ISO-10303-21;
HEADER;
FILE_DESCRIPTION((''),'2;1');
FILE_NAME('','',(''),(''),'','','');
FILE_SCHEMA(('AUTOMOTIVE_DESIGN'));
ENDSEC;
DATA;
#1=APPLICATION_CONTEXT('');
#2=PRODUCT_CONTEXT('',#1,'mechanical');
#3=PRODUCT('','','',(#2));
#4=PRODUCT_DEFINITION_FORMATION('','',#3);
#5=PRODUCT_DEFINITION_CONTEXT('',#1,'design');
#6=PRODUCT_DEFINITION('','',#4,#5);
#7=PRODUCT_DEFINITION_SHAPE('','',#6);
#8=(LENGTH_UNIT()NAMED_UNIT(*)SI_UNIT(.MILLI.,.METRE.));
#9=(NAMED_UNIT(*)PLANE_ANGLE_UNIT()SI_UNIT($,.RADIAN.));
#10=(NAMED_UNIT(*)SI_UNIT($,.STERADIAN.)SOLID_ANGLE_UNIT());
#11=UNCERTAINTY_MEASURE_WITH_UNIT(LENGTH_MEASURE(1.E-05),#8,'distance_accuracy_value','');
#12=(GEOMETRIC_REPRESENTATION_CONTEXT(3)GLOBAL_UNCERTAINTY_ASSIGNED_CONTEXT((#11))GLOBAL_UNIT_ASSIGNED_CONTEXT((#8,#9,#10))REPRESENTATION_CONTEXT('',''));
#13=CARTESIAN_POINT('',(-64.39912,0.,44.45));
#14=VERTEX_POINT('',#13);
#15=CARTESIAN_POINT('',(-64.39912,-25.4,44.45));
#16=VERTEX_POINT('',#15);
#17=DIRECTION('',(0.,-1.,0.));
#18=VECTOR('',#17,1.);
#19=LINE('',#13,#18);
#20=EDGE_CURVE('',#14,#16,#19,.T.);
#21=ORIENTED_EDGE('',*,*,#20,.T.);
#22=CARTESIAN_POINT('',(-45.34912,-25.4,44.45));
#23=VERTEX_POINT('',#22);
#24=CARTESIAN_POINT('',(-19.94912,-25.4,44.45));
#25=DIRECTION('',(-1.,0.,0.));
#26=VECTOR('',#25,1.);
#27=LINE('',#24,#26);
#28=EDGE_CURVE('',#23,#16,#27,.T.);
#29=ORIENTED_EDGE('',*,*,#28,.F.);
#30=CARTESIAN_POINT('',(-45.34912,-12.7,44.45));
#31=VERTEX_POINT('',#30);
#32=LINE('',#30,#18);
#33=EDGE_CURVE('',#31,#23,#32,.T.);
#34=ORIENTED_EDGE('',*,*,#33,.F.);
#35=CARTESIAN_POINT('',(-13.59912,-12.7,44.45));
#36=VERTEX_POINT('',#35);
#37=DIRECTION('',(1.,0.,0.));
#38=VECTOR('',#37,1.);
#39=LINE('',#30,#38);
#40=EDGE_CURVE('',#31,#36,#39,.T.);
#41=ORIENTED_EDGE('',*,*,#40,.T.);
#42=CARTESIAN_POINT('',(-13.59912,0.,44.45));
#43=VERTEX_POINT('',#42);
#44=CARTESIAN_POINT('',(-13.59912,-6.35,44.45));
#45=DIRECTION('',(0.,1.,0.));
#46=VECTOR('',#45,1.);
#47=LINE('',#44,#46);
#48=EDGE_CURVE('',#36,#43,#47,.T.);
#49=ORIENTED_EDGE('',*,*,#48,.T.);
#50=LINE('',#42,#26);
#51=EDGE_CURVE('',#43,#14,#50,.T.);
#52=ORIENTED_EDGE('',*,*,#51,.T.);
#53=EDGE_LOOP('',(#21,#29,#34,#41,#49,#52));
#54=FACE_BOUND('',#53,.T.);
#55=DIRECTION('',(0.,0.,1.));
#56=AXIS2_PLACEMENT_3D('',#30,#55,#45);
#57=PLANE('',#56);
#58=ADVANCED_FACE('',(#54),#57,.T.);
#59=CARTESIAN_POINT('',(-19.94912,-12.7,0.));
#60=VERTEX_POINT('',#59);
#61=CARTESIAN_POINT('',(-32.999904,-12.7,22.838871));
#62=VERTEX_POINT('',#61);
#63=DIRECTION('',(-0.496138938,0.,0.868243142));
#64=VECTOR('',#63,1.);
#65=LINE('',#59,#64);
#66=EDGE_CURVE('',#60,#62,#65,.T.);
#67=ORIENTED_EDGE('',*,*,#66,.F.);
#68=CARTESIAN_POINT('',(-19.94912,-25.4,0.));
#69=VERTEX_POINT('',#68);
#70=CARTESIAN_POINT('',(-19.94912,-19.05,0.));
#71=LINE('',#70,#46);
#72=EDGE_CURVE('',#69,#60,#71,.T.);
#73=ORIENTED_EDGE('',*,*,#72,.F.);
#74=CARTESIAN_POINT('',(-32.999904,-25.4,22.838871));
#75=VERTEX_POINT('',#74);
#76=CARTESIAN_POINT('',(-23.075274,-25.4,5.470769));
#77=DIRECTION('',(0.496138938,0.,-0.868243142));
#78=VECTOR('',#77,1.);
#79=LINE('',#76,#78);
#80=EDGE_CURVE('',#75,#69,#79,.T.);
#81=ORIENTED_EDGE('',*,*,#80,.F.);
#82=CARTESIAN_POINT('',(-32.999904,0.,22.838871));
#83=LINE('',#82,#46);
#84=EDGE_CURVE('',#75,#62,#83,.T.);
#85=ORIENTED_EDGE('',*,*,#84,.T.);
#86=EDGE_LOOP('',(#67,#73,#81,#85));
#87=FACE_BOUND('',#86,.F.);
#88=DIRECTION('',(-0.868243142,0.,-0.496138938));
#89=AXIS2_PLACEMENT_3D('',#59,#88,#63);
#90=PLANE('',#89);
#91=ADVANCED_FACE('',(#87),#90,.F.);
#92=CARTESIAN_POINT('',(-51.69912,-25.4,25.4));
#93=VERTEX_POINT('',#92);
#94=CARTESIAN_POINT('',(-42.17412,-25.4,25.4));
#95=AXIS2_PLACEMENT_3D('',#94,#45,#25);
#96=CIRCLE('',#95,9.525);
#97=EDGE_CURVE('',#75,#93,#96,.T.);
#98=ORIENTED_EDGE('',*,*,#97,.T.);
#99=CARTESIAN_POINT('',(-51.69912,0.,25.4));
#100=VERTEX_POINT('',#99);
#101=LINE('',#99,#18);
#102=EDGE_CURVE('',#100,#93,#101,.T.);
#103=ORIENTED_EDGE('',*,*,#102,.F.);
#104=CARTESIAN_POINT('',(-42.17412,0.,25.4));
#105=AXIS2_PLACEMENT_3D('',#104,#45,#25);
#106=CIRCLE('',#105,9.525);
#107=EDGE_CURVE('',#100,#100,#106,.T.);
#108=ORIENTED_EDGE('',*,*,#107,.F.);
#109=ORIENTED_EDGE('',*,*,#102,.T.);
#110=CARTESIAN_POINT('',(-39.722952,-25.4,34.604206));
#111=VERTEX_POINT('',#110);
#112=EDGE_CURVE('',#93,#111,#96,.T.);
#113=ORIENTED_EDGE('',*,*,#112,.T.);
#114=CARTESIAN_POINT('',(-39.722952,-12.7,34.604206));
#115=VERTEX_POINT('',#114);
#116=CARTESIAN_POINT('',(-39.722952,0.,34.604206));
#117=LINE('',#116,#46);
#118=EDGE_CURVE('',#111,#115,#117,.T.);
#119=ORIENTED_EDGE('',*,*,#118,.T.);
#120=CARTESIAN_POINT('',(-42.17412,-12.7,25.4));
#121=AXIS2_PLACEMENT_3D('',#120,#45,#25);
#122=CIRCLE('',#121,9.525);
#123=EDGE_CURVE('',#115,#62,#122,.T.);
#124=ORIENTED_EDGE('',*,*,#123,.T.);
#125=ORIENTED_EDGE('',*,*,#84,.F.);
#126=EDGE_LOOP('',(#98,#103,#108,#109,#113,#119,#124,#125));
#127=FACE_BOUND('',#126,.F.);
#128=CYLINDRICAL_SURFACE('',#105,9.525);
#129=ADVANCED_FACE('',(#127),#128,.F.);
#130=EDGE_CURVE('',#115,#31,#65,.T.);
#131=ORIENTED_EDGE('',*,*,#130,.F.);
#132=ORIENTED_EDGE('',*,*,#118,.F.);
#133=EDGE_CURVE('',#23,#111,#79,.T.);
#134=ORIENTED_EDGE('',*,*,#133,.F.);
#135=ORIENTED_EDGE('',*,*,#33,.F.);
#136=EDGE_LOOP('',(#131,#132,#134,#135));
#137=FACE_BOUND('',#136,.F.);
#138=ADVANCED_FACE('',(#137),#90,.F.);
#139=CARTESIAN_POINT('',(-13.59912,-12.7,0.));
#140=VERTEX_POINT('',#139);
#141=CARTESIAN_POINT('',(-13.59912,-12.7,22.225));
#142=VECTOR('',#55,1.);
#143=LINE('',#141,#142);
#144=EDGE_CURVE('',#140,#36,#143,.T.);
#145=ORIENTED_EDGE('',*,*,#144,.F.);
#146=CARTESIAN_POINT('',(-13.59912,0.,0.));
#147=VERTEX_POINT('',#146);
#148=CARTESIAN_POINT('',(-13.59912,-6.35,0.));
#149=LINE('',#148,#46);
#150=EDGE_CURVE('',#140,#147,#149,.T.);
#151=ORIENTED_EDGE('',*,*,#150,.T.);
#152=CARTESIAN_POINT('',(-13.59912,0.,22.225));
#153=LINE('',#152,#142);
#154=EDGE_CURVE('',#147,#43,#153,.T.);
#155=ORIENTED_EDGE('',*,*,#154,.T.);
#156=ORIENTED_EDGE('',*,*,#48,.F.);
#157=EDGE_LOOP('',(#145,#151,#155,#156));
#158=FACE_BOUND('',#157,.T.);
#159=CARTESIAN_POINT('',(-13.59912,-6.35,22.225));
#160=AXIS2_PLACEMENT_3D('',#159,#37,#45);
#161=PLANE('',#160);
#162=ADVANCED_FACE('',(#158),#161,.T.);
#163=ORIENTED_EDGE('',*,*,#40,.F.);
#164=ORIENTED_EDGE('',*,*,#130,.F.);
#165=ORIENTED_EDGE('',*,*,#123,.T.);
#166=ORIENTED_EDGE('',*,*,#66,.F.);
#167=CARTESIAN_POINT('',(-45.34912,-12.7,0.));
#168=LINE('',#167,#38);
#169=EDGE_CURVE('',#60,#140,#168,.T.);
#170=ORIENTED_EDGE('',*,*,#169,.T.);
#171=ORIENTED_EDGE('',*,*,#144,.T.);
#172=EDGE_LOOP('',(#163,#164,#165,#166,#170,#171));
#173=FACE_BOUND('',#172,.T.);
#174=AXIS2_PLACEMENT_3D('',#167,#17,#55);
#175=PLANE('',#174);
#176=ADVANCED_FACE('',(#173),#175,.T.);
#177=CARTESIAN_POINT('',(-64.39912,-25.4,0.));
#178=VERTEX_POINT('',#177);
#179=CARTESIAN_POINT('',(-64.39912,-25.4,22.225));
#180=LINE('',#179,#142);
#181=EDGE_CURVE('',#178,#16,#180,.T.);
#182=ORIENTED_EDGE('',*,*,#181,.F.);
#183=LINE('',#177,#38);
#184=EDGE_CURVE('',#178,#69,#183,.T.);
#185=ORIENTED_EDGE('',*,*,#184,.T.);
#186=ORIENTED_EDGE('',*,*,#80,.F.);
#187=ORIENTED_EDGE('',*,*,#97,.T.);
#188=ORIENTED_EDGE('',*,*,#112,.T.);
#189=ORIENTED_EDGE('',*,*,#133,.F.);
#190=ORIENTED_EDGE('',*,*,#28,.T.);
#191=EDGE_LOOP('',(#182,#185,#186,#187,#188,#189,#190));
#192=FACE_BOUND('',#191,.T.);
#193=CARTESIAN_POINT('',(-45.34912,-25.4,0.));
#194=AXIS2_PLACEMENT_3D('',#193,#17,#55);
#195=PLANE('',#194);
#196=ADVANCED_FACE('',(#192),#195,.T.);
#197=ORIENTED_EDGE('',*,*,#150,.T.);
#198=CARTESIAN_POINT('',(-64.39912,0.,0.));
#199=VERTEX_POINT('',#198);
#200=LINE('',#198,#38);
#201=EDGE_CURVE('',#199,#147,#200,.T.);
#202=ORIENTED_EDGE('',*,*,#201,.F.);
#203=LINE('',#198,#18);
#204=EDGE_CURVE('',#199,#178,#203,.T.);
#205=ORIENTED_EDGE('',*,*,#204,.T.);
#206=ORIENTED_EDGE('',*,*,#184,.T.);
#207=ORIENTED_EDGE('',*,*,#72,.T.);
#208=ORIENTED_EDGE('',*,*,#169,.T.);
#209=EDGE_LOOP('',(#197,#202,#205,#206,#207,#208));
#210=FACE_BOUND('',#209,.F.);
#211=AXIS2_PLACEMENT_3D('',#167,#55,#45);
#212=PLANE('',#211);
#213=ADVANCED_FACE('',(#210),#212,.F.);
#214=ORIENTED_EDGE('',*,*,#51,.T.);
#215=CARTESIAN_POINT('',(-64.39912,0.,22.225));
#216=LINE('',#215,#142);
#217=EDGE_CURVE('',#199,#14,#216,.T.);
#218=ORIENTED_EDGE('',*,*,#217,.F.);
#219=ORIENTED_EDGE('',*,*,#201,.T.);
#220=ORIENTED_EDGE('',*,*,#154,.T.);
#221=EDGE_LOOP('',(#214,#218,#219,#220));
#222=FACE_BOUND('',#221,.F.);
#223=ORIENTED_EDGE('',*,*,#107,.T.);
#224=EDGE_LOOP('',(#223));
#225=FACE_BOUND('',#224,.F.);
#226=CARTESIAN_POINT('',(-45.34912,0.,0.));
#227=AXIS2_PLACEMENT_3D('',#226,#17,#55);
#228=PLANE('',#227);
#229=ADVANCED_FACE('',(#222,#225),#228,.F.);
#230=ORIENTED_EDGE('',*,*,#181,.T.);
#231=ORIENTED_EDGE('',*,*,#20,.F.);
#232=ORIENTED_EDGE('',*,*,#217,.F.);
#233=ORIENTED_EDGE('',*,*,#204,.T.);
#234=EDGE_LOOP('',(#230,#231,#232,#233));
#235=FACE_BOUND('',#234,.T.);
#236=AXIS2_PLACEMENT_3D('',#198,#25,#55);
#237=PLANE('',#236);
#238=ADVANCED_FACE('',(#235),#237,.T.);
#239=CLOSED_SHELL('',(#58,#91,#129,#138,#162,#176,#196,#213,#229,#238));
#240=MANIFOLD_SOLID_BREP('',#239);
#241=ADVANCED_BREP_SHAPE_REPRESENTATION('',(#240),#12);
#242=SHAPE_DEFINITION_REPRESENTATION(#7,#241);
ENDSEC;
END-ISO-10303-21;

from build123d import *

# Parameters (mm, degrees)
F0_W     = 19.05
F0_H     = 44.45
F1_DEPTH = 25.4
F2_W     = 12.7
F2_H     = 44.45
F3_DEPTH = 25.4
F5_DEPTH = 25.4
F6_W     = 12.7
F6_H     = 44.45
F7_DEPTH = 31.75
F8_R     = 9.525
F9_DEPTH = 25.4


with BuildPart() as f1:
    # F0 (on Front) → F1 (new body)
    with BuildSketch(Plane.XZ):
        with Locations((-54.87412, 22.225)):
            Rectangle(F0_W, F0_H)
    extrude(amount=F1_DEPTH)

    # F2 (on face) → F3 (join)
    with BuildSketch(Plane.YZ.offset(-45.34912)):
        with Locations((-19.05, 22.225)):
            Rectangle(F2_W, F2_H)
    extrude(amount=F3_DEPTH)

    # F4 (on face) → F5 (cut)
    with BuildSketch(Plane(origin=(0, -12.7, 0), x_dir=(-1, 0, 0), z_dir=(0, 1, 0))):
        Polygon((19.94912, 0), (45.34912, 44.45), (19.94912, 44.45), align=None)
    extrude(amount=-F5_DEPTH, mode=Mode.SUBTRACT)

    # F6 (on face) → F7 (join)
    with BuildSketch(Plane.YZ.offset(-45.34912)):
        with Locations((-6.35, 22.225)):
            Rectangle(F6_W, F6_H)
    extrude(amount=F7_DEPTH)

    # F8 (on face) → F9 (cut)
    with BuildSketch(Plane(origin=(0, 0, 0), x_dir=(-1, 0, 0), z_dir=(0, 1, 0))):
        with Locations((42.17412, 25.4)):
            Circle(F8_R)
    extrude(amount=-F9_DEPTH, mode=Mode.SUBTRACT)


solid = f1.part
